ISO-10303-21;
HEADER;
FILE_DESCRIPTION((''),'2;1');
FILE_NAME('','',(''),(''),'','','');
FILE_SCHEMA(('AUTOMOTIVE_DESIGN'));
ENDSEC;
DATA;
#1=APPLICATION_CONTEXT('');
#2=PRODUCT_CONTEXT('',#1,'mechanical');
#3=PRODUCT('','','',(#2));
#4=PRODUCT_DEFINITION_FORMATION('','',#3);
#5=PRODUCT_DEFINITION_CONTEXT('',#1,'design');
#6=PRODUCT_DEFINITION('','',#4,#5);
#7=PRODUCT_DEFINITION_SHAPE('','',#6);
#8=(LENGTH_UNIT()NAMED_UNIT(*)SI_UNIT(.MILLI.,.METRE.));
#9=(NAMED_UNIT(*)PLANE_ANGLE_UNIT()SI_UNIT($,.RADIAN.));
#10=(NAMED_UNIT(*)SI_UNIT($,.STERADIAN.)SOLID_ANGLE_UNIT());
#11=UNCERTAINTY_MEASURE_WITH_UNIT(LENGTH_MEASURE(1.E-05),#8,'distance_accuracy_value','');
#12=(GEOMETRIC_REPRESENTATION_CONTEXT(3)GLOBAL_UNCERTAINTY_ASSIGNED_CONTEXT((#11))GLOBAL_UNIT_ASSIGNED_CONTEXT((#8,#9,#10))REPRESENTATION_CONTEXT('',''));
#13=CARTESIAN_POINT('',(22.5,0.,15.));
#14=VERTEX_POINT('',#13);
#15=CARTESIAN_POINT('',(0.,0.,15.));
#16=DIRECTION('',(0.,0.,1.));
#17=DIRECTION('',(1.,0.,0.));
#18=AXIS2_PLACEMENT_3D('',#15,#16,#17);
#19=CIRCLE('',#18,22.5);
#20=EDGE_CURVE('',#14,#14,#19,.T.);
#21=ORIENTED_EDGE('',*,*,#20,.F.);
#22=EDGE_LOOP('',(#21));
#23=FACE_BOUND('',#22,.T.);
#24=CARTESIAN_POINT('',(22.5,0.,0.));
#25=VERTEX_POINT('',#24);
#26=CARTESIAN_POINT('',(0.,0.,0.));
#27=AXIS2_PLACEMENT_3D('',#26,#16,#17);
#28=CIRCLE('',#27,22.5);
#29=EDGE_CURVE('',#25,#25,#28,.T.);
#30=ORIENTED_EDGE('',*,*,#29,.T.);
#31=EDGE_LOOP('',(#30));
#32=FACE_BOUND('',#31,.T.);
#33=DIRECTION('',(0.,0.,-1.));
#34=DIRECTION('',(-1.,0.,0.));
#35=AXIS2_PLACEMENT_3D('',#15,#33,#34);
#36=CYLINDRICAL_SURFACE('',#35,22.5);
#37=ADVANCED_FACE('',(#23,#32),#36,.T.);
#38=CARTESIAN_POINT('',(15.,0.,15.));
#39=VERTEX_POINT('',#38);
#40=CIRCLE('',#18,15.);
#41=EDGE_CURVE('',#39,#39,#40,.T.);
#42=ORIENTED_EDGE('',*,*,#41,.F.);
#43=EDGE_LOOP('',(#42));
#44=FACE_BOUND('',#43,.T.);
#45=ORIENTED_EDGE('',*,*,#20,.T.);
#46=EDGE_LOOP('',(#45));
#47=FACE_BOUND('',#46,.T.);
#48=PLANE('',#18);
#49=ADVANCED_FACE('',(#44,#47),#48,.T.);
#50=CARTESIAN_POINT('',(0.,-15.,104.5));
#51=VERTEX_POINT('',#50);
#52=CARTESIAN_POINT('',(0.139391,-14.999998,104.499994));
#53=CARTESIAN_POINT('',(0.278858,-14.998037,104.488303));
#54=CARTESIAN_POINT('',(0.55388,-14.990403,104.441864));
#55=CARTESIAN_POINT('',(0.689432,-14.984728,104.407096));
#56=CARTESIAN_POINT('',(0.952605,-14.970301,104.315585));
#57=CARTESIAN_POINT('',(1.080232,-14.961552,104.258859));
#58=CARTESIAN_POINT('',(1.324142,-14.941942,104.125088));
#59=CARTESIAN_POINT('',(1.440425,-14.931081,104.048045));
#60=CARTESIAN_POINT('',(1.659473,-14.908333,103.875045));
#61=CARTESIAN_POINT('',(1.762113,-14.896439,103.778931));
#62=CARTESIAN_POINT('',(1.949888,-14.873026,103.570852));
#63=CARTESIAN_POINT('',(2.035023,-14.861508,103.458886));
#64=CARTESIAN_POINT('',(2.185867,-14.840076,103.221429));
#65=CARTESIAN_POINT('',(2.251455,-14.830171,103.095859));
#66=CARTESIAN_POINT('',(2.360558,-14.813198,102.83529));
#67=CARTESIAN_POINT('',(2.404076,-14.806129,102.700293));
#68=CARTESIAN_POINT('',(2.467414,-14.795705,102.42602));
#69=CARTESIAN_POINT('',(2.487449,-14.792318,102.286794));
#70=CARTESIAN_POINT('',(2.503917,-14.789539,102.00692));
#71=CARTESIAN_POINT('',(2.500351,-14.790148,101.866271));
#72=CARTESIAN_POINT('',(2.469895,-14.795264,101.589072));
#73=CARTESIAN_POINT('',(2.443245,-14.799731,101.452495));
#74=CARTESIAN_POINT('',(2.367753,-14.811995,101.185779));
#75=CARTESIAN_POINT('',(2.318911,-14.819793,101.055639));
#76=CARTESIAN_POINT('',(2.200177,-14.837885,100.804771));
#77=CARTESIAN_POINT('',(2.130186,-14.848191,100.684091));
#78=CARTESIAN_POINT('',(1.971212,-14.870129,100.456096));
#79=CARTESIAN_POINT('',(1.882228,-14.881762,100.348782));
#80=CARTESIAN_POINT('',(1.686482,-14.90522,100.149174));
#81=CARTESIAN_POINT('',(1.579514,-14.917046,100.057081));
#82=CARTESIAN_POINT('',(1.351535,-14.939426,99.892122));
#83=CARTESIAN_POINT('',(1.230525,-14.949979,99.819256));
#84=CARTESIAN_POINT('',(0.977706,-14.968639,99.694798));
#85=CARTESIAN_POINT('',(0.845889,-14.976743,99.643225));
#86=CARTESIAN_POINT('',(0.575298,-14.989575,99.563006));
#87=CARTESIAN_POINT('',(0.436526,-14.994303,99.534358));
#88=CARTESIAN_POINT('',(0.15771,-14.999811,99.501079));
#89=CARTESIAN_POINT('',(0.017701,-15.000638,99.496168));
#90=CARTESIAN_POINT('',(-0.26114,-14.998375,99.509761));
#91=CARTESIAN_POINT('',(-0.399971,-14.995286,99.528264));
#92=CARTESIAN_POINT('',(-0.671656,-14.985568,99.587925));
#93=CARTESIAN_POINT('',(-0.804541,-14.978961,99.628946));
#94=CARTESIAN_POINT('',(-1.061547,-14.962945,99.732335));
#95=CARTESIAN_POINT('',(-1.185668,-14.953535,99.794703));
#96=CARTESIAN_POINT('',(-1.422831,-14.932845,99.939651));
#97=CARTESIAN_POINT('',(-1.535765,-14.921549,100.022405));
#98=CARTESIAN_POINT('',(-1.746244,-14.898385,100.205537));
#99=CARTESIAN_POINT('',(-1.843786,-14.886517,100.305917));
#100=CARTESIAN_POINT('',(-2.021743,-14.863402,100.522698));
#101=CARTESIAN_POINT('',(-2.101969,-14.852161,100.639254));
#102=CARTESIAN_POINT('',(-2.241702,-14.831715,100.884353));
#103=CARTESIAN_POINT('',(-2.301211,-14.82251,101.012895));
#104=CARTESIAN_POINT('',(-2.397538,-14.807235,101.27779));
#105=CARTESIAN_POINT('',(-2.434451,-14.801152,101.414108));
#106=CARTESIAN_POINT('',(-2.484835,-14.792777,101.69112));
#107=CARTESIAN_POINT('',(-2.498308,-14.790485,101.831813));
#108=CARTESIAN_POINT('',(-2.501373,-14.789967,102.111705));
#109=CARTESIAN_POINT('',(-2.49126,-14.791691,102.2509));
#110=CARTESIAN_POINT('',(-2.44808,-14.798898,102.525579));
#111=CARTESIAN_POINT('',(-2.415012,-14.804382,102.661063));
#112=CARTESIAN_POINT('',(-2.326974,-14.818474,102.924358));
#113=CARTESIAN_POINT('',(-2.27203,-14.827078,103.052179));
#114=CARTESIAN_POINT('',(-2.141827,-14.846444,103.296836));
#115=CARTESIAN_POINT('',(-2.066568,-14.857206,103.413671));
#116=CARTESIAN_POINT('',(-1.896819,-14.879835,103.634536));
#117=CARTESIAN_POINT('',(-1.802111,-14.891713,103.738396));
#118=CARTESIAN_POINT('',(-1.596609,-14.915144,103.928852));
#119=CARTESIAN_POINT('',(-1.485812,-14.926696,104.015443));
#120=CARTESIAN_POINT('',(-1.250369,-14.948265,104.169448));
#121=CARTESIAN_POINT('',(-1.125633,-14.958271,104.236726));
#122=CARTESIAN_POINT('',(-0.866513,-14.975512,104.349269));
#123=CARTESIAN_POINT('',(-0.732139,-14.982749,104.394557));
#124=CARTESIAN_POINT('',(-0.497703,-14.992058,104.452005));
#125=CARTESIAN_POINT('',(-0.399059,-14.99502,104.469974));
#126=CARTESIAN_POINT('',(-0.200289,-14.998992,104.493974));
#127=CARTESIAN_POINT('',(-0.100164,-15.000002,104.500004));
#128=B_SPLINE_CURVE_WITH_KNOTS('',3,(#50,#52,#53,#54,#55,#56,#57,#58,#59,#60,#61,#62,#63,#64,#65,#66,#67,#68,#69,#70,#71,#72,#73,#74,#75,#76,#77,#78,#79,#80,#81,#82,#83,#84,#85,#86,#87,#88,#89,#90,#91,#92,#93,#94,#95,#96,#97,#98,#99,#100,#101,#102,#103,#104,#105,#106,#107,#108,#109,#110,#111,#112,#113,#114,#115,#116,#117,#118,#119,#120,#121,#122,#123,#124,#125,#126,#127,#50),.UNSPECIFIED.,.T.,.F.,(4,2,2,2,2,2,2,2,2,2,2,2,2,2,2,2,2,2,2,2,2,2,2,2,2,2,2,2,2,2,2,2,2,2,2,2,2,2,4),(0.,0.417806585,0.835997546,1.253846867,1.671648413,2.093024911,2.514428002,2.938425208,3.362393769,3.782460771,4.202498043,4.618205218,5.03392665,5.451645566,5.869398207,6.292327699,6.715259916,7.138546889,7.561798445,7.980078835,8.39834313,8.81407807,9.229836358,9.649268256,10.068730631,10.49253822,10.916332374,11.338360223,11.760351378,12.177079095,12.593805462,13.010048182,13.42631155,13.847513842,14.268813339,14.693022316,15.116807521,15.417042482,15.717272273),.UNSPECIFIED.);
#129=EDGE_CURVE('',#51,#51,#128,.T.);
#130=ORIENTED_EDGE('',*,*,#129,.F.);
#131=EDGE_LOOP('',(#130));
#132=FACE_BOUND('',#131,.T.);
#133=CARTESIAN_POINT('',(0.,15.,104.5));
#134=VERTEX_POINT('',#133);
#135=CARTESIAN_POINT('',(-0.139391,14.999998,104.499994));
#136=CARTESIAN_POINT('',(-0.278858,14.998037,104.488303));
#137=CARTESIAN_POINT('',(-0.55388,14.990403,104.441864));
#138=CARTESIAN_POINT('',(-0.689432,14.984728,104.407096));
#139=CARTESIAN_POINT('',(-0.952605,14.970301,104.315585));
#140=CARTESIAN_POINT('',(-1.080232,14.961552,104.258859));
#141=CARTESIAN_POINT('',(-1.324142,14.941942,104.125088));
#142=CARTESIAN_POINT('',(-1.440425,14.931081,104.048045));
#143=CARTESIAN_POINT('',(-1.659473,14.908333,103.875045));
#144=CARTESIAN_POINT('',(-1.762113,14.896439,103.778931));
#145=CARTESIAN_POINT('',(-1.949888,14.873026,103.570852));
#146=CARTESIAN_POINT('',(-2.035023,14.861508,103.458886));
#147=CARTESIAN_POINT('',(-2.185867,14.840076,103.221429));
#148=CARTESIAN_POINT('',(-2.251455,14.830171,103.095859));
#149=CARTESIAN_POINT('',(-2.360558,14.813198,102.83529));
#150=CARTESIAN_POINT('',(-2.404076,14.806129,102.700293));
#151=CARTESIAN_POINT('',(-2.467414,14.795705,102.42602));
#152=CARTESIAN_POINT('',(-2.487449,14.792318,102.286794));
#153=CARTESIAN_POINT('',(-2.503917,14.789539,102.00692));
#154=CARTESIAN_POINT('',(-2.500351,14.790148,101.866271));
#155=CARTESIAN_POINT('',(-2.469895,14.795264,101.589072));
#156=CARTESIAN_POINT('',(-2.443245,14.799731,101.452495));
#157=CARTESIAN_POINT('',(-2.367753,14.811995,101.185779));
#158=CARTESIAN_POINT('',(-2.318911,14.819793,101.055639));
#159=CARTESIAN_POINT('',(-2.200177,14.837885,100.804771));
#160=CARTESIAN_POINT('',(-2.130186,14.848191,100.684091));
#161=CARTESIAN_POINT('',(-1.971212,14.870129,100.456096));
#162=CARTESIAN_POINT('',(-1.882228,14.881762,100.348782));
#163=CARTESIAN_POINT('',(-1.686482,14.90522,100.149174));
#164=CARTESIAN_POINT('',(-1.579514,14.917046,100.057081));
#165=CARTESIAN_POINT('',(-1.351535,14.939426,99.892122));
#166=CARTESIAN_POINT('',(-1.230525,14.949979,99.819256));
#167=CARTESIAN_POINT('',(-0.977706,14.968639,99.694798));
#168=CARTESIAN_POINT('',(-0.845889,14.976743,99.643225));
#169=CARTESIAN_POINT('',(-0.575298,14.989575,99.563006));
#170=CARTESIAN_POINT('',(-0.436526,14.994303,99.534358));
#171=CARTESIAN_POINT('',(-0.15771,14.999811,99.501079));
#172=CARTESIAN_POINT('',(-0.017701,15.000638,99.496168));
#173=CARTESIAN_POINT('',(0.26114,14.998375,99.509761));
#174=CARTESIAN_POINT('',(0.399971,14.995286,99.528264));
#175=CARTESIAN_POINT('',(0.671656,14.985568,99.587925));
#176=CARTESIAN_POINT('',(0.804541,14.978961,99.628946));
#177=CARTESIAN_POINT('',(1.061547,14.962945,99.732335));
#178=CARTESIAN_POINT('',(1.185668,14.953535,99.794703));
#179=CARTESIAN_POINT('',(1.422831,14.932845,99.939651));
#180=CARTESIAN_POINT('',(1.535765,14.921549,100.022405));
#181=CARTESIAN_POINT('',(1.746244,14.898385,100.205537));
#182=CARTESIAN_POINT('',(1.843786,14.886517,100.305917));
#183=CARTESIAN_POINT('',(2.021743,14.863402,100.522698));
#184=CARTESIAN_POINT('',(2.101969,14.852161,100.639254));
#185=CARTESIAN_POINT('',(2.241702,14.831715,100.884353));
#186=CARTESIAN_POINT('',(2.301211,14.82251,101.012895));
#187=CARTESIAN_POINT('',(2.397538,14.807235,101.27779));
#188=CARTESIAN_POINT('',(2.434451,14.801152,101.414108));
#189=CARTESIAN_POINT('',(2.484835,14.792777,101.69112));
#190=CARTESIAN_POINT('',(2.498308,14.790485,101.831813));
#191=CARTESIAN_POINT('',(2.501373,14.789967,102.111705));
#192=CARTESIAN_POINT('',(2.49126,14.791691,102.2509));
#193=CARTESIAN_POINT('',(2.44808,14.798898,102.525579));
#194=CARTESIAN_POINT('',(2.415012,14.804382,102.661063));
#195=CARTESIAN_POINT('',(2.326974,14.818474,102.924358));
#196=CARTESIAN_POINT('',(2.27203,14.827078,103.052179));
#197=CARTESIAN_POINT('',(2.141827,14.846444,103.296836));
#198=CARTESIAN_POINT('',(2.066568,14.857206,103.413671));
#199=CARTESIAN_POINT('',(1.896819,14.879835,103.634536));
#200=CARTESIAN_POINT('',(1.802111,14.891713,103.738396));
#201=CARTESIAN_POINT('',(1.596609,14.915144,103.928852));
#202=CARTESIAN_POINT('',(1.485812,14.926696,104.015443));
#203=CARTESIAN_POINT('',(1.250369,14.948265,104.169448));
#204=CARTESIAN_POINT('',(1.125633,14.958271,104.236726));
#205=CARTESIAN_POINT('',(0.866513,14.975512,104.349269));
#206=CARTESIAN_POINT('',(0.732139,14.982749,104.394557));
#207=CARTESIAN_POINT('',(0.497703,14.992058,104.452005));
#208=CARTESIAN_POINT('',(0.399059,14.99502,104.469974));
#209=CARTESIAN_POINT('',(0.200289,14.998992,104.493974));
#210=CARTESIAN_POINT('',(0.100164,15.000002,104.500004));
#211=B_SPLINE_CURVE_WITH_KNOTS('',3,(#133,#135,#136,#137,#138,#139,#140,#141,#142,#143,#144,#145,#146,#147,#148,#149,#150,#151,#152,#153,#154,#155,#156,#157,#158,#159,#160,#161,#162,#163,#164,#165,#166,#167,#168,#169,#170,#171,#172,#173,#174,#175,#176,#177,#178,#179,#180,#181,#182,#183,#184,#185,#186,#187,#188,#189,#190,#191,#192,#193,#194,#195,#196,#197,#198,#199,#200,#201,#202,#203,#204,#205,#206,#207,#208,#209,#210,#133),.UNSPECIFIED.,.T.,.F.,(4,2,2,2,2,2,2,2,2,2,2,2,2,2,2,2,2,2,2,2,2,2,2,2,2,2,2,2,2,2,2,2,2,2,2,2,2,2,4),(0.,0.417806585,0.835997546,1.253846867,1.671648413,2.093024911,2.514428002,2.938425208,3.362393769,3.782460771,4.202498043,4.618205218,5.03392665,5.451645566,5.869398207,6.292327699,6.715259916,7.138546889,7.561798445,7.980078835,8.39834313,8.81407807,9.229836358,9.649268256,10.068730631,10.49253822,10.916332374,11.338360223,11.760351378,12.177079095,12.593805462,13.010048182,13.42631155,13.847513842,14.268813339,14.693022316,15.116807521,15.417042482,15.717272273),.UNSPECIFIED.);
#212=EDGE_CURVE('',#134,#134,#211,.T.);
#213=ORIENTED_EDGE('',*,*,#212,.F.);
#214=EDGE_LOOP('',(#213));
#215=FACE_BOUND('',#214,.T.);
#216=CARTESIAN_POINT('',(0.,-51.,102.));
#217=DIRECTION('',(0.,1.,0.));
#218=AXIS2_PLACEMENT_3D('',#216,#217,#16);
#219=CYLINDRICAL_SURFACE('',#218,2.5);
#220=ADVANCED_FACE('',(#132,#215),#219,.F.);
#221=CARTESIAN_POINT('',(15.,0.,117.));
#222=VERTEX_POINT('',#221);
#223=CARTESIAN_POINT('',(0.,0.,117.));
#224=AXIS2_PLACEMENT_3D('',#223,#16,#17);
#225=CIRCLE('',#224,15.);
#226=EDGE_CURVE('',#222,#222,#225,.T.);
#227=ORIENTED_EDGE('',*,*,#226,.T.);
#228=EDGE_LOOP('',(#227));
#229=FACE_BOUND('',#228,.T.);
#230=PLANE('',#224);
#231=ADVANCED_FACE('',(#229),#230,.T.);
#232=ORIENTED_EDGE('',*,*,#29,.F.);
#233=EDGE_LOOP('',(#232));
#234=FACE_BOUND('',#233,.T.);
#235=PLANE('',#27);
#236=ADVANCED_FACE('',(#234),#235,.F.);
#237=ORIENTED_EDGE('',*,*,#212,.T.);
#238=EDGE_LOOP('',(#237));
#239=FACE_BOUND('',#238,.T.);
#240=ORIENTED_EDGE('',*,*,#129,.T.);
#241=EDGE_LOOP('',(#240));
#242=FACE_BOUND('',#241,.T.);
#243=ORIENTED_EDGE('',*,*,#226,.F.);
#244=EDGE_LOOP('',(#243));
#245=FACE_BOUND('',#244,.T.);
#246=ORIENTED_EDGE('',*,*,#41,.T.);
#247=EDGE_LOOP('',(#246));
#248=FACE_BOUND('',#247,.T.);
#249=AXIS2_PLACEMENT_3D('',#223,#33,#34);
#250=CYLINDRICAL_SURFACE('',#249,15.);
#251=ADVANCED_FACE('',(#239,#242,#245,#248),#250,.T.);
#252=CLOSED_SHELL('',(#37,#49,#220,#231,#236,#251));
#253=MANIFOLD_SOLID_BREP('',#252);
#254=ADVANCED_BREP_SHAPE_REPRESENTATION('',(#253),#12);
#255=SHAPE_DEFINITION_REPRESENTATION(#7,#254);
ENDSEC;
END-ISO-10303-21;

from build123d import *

# Parameters (mm, degrees)
SKETCH1_R           = 22.5
BOSS_EXTRUDE1_DEPTH = 15
SKETCH2_R           = 15
BOSS_EXTRUDE2_DEPTH = 102
SKETCH3_R           = 2.5
CUT_EXTRUDE1_DEPTH  = 51


with BuildPart() as part:
    # Sketch1 → Boss-Extrude1 (new body)
    with BuildSketch(Plane.XY):
        Circle(SKETCH1_R)
    extrude(amount=BOSS_EXTRUDE1_DEPTH)

    # Sketch2 → Boss-Extrude2 (add)
    with BuildSketch(Plane.XY.offset(15)):
        Circle(SKETCH2_R)
    extrude(amount=BOSS_EXTRUDE2_DEPTH)

    # Sketch3 → Cut-Extrude1 (cut, symmetric)
    with BuildSketch(Plane(origin=(0, 0, 0), x_dir=(1, 0, 0), z_dir=(0, 1, 0))):
        with Locations(Location((0, -102, 0), (0, 0, 270))):
            Circle(SKETCH3_R)
    extrude(amount=CUT_EXTRUDE1_DEPTH, both=True, mode=Mode.SUBTRACT)


solid = part.part
